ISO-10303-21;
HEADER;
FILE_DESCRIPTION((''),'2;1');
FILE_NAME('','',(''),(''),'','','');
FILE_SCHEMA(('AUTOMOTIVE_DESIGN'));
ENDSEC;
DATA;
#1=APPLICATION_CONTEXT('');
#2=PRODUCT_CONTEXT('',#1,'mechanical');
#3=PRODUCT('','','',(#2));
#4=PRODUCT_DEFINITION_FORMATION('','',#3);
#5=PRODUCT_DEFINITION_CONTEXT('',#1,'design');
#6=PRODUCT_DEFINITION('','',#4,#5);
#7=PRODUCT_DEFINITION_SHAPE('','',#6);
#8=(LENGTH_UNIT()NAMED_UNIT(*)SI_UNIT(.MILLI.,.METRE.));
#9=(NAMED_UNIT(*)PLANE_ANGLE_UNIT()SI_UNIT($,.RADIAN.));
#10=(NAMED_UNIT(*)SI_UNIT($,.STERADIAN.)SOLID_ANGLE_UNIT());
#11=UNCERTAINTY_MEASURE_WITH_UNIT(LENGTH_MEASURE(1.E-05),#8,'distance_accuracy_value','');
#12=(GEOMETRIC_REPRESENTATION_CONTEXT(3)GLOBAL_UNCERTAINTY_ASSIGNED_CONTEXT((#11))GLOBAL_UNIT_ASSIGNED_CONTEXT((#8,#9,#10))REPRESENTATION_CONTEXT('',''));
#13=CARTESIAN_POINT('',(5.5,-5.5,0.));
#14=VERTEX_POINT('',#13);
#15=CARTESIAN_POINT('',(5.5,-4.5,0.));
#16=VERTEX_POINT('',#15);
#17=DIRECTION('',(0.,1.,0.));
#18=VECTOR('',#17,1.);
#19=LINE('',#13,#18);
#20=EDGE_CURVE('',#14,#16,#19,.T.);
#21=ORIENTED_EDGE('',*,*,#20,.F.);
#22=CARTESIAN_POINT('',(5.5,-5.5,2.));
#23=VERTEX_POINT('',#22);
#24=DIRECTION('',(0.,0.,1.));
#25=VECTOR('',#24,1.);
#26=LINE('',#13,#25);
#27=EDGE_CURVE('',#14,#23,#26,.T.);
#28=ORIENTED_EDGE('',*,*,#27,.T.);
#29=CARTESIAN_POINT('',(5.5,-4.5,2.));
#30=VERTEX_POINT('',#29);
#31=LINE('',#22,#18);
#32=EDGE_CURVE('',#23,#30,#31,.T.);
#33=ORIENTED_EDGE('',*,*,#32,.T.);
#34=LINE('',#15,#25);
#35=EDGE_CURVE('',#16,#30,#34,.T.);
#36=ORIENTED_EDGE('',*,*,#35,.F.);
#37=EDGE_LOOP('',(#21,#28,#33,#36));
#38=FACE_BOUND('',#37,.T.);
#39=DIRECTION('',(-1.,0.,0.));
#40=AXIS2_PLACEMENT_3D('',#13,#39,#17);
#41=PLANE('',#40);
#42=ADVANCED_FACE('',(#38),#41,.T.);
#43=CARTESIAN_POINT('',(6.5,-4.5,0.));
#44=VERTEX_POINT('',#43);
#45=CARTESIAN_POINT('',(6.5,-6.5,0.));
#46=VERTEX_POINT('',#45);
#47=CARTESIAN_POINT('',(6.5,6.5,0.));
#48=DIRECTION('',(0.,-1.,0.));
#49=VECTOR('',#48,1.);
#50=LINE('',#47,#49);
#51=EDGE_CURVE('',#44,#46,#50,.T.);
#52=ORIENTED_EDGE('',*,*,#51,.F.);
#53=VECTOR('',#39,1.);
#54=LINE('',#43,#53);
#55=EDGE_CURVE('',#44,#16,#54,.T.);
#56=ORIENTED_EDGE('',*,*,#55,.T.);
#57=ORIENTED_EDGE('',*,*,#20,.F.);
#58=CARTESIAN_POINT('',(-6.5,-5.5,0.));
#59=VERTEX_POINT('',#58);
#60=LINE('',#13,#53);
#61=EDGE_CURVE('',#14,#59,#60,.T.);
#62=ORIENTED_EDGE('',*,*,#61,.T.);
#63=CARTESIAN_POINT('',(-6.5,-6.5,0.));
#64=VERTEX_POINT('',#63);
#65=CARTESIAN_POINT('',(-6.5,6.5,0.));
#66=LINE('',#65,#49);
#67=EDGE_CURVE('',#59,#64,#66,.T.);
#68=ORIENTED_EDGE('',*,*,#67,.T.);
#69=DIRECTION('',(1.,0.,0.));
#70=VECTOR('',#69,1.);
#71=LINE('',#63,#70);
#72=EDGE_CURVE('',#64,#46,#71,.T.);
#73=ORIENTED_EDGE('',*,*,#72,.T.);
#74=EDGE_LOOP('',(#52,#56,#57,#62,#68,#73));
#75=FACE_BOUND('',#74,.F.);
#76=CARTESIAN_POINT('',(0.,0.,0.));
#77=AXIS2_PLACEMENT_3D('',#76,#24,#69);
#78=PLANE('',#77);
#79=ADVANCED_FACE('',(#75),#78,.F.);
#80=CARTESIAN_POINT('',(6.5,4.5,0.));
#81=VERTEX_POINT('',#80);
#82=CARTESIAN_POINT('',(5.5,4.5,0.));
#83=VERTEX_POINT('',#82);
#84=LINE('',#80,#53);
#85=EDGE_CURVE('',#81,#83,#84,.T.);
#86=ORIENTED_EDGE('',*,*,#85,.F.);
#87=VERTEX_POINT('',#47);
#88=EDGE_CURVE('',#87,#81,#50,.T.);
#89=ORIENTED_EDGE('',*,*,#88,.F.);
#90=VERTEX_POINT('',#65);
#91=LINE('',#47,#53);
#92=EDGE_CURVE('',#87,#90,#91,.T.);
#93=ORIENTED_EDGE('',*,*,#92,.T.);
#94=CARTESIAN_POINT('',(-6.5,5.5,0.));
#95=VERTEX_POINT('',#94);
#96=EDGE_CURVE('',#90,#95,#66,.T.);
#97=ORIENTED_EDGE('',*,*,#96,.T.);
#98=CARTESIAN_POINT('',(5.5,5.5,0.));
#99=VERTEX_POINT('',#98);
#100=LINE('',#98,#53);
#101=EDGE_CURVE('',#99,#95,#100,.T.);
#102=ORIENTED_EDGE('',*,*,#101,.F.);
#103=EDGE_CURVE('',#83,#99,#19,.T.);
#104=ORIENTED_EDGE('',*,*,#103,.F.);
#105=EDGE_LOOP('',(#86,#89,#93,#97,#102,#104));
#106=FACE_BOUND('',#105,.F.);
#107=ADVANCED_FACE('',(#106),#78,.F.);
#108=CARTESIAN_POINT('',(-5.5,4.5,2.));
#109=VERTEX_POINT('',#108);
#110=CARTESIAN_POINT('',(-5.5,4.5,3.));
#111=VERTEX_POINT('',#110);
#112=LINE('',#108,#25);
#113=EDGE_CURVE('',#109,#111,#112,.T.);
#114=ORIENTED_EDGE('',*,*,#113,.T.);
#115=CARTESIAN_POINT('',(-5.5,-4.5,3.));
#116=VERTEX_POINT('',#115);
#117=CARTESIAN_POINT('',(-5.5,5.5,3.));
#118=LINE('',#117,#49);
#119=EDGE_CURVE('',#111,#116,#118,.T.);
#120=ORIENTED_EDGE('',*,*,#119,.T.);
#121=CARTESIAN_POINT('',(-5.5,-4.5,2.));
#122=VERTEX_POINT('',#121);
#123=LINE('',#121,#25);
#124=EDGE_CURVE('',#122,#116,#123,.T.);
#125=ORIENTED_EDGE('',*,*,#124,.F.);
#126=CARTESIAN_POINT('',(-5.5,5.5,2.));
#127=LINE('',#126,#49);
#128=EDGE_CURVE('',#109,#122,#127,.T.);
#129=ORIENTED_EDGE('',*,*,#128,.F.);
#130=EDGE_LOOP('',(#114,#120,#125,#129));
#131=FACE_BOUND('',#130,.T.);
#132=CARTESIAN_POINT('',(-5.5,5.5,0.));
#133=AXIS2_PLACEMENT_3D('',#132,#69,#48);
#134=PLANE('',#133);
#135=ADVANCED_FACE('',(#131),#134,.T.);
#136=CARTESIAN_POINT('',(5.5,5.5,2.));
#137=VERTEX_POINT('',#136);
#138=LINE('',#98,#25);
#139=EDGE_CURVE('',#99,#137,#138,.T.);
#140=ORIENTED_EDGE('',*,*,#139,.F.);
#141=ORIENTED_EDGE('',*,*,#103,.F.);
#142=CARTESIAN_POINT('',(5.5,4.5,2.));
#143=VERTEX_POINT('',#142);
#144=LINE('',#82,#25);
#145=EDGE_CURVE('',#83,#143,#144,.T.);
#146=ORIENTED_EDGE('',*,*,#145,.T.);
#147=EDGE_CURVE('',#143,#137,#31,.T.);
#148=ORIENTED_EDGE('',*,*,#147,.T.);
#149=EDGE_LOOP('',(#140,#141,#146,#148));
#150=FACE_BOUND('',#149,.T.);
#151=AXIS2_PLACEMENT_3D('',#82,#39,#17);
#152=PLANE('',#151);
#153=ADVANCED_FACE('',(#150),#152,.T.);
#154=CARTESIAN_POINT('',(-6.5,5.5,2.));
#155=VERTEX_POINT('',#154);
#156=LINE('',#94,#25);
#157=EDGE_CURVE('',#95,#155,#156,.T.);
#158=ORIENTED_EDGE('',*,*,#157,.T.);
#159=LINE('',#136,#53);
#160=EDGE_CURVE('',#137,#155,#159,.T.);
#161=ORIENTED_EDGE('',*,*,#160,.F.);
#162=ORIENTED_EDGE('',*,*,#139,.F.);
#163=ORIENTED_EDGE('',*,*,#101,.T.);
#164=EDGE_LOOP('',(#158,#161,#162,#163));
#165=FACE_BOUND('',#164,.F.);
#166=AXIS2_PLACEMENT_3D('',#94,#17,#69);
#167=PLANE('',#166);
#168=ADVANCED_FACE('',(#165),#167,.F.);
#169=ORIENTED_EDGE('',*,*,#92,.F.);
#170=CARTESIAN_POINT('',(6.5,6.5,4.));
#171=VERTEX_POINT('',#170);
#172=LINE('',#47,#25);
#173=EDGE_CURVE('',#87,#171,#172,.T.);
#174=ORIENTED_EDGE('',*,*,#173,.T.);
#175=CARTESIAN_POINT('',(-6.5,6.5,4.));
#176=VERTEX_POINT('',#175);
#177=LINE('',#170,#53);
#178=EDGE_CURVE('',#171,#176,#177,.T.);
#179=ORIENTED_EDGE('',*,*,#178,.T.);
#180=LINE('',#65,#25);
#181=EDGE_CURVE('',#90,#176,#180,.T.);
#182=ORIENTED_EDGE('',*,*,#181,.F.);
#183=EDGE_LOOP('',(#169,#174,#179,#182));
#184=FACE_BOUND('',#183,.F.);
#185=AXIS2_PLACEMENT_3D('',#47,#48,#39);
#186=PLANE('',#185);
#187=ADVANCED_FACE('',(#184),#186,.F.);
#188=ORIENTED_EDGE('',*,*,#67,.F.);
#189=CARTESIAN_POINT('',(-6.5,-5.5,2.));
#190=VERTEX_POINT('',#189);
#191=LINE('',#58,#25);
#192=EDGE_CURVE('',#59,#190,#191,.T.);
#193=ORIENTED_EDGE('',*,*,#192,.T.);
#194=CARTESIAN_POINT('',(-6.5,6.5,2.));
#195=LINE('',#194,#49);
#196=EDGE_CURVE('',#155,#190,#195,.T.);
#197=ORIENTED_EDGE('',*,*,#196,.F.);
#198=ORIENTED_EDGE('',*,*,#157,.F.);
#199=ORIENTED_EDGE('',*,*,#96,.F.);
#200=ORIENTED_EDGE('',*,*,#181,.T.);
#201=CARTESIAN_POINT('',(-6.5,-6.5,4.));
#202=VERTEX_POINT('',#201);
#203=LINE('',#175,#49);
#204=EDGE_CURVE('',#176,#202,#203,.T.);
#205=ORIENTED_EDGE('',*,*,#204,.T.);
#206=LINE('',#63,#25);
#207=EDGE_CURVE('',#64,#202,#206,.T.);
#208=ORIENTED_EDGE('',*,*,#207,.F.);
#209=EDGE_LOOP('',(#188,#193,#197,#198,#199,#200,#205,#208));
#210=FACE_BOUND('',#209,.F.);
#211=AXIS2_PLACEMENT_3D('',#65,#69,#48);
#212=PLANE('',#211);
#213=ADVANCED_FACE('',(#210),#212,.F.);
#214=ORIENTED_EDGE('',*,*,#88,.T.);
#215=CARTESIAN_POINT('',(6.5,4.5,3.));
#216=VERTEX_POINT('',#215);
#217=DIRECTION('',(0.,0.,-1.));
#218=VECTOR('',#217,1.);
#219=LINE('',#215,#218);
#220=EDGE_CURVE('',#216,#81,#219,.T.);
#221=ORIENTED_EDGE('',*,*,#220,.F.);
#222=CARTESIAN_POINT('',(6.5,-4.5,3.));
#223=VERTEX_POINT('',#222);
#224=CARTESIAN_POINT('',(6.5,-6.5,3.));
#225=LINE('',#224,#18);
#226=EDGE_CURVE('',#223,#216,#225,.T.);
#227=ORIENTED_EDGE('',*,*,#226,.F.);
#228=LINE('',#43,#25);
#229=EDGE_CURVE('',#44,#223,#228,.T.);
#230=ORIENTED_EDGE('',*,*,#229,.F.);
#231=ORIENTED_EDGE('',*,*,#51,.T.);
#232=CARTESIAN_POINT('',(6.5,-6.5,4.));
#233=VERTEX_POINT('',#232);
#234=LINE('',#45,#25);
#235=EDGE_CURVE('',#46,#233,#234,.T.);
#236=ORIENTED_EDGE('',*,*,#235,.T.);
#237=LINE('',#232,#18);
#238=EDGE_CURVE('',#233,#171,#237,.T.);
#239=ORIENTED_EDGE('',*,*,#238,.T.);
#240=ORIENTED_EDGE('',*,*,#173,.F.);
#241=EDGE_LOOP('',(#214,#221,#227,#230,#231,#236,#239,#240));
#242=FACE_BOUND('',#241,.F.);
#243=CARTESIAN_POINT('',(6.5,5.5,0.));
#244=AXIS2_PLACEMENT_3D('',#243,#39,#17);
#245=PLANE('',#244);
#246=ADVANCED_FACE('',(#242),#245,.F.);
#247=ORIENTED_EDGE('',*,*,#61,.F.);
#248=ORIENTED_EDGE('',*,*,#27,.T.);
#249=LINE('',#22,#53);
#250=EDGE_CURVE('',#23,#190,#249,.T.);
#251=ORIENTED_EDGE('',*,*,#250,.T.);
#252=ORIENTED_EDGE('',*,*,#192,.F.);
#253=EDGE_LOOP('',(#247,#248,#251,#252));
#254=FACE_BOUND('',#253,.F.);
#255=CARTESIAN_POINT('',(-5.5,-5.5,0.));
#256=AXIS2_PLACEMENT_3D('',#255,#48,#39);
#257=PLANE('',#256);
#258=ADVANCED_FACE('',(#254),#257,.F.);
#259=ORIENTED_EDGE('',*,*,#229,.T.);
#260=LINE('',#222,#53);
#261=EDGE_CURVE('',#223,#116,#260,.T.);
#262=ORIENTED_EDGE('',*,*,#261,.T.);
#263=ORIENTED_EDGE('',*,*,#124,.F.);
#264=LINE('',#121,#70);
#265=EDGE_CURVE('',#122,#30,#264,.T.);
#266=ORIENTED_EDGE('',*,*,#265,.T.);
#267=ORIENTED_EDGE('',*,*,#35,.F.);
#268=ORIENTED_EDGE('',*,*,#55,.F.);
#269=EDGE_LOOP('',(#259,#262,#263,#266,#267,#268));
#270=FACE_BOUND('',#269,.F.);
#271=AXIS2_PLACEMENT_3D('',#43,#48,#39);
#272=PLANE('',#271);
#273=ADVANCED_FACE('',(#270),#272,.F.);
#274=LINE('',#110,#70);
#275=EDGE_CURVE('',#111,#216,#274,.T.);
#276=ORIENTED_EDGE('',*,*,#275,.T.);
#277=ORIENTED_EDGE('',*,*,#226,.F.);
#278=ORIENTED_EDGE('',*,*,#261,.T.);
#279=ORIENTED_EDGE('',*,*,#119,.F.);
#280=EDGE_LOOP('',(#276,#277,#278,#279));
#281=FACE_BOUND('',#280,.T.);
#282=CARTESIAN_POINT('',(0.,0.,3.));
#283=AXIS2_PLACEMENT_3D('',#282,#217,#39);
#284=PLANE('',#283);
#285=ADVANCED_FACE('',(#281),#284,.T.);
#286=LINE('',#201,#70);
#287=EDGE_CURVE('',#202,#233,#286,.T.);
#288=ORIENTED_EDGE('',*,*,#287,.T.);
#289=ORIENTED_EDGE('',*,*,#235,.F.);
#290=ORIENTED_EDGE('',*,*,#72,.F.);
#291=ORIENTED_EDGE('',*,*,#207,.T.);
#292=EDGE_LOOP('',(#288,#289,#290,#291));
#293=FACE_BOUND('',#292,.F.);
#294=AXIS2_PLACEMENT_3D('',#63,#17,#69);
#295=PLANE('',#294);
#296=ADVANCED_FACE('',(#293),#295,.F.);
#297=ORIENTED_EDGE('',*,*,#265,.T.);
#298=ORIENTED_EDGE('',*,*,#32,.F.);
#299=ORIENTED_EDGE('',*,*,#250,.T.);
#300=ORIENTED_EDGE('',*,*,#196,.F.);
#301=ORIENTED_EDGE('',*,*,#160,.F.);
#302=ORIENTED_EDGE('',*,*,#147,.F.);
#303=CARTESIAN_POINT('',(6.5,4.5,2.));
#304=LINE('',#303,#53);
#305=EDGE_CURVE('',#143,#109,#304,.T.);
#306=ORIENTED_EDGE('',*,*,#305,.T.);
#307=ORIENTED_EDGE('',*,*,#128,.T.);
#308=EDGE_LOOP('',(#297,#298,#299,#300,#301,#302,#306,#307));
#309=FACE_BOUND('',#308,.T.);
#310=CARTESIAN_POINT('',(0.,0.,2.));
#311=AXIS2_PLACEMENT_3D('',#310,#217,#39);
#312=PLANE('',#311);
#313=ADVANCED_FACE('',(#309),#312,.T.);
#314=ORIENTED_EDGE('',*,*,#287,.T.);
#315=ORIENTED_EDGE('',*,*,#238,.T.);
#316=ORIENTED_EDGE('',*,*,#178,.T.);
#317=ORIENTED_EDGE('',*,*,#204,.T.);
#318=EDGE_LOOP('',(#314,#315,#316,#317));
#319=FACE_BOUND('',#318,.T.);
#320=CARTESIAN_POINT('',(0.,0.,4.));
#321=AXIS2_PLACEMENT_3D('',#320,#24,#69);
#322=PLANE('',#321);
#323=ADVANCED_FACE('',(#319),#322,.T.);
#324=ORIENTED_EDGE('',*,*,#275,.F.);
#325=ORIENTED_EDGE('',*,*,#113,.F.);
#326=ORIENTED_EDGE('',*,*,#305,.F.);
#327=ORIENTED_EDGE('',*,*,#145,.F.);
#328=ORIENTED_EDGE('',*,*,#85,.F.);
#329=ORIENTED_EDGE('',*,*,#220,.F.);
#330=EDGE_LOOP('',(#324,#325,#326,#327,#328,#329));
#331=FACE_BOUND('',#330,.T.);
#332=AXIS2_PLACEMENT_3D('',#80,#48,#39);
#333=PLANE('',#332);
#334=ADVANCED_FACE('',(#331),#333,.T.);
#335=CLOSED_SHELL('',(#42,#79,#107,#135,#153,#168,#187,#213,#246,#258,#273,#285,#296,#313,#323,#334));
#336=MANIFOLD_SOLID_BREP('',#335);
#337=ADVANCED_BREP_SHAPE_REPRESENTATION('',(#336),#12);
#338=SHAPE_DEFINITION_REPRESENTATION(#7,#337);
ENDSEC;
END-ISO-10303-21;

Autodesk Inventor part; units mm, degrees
ref_plane "YZ Plane" through (0, 0, 0) normal (1, 0, 0) x (0, 1, 0)
ref_plane "XZ Plane" through (0, 0, 0) normal (0, 1, 0) x (-1, 0, 0)
ref_plane "XY Plane" through (0, 0, 0) normal (0, 0, 1) x (1, 0, 0)
sketch "Sketch1" plane through (0, 0, 0) normal (0, 0, 1) x (1, 0, 0)
  line L0 (-6.5, -6.5) -> (6.5, -6.5)
  line L1 (6.5, -6.5) -> (6.5, 6.5)
  line L2 (6.5, 6.5) -> (-6.5, 6.5)
  line L3 (-6.5, 6.5) -> (-6.5, -6.5)
  line L4 (-6.5, -6.5) -> (6.5, 6.5) construction
  line L5 (6.5, -6.5) -> (-6.5, 6.5) construction
  line L6 (-5.5, -5.5) -> (5.5, -5.5)
  line L7 (5.5, -5.5) -> (5.5, 5.5)
  line L8 (5.5, 5.5) -> (-5.5, 5.5)
  line L9 (-5.5, 5.5) -> (-5.5, -5.5)
  line L10 (-5.5, -5.5) -> (5.5, 5.5) construction
  line L11 (5.5, -5.5) -> (-5.5, 5.5) construction
  line L12 (5.5, 5.5) -> (6.5, 5.5)
  line L13 (6.5, 5.5) -> (6.5, 4.5)
  line L14 (6.5, 4.5) -> (5.5, 4.5)
  line L15 (5.5, 4.5) -> (5.5, 5.5)
  line L16 (5.5, -5.5) -> (6.5, -5.5)
  line L17 (6.5, -5.5) -> (6.5, -4.5)
  line L18 (6.5, -4.5) -> (5.5, -4.5)
  line L19 (5.5, -4.5) -> (5.5, -5.5)
  point P0 (0, 0)
  point P1 (5.5, -4.5)
  point P2 (5.5, 4.5)
  dimension "d0" = 13
  dimension "d1" = 13
  dimension "d2" = 11
  dimension "d3" = 11
  dimension "d4" = 1
  dimension "d5" = 1
extrude "Extrusion1" add sketch "Sketch1" along normal blind 4
extrude "Extrusion2" cut sketch "Sketch1" along normal blind 2 contours L18 L7 L14 L1 | L6 L9 L8 L7
sketch "Sketch2" plane through (0, 0, 2) normal (0, 0, -1) x (-1, 0, 0)
  line L0 (-6.5, -6.5) -> (-6.5, 6.5) projected
  line L1 (-5.5, -4.5) -> (-6.5, -4.5) projected
  line L2 (-6.5, 4.5) -> (-5.5, 4.5)
  line L3 (-5.5, 4.5) -> (-5.5, -4.5)
  line L4 (-5.5, -4.5) -> (-6.5, -4.5)
  line L5 (-6.5, -4.5) -> (-6.5, 4.5)
  line L6 (-6.5, 4.5) -> (-5.5, 4.5) projected
  line L7 (5.5, 5.5) -> (5.5, -5.5) projected
  line L8 (-5.5, 4.5) -> (5.5, 4.5)
  line L9 (5.5, 4.5) -> (5.5, -4.5)
  line L10 (5.5, -4.5) -> (-5.5, -4.5)
  line L11 (-5.5, -4.5) -> (-5.5, 4.5)
  point P0 (0, 0)
  dimension "d18" = 0
extrude "Extrusion3" cut sketch "Sketch2" against normal blind 1
sketch "Sketch3" plane through (0, 0, 0) normal (0, 0, -1) x (-1, 0, 0)
  line L0 (6.5, 6.5) -> (6.5, -6.5) projected
  line L1 (5.5, 5.5) -> (5.5, -5.5) projected
  line L2 (6.5, 5.5) -> (5.5, 5.5)
  line L3 (5.5, 5.5) -> (5.5, -5.5)
  line L4 (5.5, -5.5) -> (6.5, -5.5)
  line L5 (6.5, -5.5) -> (6.5, 5.5)
  line L6 (-5.5, 5.5) -> (5.5, 5.5) projected
  point P0 (0, 0)
  point P1 (5.5, 5.5)
  dimension "d15" = 0
extrude "Extrusion4" cut sketch "Sketch3" against normal blind 2
properties part number "Optical module_lid_2"
